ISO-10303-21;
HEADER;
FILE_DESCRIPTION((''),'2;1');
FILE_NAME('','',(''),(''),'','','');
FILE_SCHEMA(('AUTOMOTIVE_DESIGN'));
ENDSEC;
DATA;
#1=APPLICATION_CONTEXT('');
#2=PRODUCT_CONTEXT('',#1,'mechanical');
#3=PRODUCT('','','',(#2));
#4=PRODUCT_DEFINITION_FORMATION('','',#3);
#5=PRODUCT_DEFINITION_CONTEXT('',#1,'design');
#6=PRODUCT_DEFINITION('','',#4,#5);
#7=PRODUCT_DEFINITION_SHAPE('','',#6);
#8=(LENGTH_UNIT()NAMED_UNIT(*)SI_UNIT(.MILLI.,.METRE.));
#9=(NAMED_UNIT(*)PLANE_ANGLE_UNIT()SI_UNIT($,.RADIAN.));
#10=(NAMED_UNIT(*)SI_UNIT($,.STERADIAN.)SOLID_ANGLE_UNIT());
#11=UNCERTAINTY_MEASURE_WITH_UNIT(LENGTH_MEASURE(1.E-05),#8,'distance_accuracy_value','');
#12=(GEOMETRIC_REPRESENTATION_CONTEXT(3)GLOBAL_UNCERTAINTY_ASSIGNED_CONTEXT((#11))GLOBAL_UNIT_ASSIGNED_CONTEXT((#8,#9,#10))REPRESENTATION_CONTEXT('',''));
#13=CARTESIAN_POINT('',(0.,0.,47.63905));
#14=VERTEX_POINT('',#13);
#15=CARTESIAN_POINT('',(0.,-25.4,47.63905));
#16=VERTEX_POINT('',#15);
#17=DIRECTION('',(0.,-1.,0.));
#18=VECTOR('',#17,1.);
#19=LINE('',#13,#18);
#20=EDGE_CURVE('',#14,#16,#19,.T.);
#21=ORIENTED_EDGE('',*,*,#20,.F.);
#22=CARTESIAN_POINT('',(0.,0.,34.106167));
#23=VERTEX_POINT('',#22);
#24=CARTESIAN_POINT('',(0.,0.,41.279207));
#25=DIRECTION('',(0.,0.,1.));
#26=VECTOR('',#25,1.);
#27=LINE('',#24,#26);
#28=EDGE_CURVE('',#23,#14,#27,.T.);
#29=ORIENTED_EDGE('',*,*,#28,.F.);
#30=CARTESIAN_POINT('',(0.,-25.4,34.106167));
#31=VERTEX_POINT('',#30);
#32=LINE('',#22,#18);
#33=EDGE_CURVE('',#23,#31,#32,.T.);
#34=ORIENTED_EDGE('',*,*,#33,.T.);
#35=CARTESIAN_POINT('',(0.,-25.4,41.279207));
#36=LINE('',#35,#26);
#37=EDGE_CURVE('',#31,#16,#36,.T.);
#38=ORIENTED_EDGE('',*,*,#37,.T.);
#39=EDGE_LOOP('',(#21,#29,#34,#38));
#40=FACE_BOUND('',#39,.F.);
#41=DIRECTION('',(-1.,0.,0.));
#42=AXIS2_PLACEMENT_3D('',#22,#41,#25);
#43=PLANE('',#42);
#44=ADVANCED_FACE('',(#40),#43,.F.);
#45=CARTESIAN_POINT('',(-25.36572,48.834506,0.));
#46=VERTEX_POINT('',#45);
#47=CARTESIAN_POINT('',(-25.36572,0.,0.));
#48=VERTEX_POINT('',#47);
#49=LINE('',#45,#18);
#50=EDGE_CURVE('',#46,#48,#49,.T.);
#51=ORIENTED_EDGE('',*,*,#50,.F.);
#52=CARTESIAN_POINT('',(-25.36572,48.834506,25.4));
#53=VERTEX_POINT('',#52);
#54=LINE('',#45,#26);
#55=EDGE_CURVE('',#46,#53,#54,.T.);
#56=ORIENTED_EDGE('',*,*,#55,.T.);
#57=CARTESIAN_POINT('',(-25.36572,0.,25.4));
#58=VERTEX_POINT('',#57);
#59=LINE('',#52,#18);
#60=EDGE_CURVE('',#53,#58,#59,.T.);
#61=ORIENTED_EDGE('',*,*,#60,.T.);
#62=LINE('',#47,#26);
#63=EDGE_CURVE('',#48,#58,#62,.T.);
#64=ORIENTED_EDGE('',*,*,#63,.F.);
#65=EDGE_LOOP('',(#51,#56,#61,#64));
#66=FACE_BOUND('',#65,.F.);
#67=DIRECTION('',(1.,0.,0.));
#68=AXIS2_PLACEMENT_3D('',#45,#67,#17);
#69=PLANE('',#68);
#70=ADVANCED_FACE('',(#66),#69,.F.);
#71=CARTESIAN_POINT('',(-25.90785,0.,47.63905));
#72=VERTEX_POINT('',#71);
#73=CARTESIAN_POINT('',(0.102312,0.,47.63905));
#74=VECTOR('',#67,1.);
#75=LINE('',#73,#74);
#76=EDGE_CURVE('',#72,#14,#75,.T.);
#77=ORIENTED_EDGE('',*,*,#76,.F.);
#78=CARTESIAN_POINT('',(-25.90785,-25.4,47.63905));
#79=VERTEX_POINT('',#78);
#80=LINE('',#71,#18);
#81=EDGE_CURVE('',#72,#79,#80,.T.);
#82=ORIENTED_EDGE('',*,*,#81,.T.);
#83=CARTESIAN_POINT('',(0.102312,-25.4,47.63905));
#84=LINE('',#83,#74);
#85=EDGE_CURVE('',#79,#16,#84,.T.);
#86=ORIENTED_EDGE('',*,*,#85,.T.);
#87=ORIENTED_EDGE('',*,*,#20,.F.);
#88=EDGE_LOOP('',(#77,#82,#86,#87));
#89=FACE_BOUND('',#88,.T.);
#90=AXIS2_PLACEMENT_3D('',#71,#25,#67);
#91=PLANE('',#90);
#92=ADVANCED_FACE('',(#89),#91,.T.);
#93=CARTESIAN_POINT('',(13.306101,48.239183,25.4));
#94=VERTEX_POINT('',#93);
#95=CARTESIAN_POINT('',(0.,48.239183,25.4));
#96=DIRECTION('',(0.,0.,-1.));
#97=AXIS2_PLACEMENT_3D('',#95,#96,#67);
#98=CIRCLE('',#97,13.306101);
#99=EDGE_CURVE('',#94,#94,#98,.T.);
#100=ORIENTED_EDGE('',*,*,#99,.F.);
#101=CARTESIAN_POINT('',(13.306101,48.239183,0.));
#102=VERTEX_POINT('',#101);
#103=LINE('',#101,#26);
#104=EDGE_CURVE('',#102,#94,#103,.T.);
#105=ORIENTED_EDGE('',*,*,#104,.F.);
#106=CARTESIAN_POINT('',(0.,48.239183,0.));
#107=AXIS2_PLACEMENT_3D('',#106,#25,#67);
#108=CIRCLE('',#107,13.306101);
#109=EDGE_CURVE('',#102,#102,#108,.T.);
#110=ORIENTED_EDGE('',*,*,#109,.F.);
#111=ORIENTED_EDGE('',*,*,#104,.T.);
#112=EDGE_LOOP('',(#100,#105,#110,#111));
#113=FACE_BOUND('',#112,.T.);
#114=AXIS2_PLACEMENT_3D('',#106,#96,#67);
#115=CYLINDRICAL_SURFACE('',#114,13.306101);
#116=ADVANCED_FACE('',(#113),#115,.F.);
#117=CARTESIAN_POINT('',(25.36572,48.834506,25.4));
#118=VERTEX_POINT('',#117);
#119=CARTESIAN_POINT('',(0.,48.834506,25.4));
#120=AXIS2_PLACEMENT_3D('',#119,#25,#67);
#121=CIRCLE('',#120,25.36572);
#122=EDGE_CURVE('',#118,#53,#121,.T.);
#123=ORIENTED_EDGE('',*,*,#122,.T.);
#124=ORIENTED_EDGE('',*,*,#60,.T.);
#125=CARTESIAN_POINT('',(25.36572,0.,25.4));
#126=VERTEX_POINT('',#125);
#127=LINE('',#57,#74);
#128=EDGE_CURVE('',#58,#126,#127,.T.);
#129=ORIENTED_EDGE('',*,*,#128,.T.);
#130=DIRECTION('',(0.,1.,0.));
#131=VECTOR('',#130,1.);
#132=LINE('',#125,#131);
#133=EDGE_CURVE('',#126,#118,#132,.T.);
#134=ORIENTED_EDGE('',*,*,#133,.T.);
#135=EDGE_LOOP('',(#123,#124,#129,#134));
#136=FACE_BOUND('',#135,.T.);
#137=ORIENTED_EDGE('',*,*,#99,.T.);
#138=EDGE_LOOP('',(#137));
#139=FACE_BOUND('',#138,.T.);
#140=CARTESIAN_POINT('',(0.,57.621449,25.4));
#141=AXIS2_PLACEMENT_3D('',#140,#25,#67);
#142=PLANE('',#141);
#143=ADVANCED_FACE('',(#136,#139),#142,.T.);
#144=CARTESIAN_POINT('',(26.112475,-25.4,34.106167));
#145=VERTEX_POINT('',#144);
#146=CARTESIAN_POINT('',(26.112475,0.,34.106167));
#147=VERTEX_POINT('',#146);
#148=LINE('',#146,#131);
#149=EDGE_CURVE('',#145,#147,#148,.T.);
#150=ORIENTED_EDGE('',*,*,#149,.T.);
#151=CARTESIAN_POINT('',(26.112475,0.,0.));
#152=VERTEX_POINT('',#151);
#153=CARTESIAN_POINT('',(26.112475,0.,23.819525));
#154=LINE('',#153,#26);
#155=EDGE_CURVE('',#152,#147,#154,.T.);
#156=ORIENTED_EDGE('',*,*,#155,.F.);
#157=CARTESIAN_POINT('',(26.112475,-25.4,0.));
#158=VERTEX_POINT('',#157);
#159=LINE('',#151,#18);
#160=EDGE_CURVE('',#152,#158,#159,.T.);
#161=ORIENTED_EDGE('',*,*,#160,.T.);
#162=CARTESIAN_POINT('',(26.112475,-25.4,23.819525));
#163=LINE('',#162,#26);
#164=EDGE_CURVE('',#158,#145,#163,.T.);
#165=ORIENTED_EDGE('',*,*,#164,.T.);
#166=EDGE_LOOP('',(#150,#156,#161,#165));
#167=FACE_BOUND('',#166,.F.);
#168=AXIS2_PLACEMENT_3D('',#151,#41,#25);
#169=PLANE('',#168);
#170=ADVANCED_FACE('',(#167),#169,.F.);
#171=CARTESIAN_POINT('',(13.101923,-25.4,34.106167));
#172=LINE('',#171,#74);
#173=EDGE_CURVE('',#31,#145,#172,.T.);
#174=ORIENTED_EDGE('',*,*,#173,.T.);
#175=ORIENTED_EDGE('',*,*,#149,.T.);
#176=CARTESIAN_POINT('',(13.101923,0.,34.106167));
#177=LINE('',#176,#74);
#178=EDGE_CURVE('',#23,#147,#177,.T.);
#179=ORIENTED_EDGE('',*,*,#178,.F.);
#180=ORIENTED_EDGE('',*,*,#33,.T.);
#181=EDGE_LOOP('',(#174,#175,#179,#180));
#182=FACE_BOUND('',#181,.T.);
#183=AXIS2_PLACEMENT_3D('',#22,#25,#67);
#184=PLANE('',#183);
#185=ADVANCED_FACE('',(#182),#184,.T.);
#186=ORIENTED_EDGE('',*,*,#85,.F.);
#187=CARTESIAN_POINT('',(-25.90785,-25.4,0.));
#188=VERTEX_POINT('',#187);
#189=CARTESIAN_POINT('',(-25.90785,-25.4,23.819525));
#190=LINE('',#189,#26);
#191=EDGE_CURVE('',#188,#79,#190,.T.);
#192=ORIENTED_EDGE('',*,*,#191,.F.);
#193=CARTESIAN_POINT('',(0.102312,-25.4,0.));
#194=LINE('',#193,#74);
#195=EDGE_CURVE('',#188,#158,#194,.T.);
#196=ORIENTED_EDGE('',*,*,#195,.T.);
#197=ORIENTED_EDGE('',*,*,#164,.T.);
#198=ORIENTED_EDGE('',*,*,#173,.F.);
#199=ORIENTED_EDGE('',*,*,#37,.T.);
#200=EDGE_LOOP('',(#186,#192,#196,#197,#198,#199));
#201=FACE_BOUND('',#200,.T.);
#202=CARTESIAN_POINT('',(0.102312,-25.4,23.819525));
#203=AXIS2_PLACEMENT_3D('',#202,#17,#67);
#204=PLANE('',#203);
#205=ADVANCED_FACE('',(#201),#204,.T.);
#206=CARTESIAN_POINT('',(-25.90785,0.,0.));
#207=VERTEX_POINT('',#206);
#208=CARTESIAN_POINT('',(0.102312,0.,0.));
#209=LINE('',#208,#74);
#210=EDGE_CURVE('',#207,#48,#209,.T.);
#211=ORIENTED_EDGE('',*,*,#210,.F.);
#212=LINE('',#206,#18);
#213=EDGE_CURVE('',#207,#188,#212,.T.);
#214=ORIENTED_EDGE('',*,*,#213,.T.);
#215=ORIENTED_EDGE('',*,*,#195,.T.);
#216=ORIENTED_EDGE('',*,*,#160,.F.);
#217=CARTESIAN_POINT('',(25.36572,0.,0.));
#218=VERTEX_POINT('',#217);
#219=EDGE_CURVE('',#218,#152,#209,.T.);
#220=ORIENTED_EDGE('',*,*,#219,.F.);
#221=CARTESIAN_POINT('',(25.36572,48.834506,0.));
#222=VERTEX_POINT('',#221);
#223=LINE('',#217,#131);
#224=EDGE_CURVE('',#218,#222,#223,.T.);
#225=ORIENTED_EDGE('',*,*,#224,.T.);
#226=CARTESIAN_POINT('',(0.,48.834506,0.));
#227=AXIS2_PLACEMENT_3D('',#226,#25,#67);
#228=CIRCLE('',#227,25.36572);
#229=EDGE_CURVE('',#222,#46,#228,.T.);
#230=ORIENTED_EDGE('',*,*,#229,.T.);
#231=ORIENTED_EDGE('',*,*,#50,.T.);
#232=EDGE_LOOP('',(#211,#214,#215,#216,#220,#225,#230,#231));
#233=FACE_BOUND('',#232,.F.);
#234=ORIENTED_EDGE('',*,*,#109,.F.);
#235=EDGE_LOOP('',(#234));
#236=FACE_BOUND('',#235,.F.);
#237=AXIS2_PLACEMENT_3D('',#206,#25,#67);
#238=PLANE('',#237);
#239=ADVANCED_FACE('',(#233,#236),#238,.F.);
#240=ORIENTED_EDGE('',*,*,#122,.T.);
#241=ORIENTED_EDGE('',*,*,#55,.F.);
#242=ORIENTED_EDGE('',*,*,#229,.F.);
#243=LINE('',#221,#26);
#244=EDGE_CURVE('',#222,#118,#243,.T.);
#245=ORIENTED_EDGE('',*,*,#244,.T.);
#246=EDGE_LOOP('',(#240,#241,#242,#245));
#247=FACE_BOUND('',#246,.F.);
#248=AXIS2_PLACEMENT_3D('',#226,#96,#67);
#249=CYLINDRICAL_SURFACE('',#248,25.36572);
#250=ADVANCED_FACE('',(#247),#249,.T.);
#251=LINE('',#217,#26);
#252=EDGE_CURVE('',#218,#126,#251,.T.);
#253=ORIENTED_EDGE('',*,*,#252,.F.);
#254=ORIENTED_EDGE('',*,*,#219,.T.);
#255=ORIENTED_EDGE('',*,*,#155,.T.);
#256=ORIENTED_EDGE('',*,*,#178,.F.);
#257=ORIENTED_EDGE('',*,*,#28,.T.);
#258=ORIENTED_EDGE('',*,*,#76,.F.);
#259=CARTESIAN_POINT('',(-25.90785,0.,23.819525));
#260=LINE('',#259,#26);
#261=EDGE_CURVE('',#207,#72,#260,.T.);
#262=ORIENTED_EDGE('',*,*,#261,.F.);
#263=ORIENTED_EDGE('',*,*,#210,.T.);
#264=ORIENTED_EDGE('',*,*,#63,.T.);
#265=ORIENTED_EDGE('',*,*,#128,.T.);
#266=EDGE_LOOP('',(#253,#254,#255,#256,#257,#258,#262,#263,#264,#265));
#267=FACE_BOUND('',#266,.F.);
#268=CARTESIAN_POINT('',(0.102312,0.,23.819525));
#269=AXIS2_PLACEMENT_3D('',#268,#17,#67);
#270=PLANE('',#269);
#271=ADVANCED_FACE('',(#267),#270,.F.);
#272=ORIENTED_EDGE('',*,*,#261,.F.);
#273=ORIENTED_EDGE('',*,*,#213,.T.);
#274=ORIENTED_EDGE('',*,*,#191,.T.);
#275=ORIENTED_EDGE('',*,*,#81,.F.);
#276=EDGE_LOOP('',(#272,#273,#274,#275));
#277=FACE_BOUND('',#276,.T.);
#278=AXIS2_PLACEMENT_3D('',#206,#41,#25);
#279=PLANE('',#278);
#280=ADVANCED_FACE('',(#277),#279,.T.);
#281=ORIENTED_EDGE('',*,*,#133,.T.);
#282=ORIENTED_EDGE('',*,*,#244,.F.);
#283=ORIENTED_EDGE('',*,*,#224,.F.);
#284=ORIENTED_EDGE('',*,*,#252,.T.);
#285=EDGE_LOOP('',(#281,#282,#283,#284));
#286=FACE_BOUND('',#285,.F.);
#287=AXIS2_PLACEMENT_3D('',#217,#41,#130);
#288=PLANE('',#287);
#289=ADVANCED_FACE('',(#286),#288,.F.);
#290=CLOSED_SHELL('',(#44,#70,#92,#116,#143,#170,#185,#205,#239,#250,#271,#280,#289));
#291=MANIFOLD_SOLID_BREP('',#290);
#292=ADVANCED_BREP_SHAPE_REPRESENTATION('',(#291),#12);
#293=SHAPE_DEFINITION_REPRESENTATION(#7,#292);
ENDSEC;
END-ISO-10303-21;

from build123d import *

# Parameters (mm, degrees)
F1_DEPTH = 25.4
F2_R     = 13.3061005932
F3_DEPTH = 25.401
F5_DEPTH = 25.401
F6_W     = 52.0203243941
F6_H     = 47.6390495896
F7_DEPTH = 25.4
F8_W     = 26.2038465589
F8_H     = 14.3460799009
F9_DEPTH = 25.4


with BuildPart() as f1:
    # F0 (on Top) → F1 (new body)
    with BuildSketch(Plane.XY):
        with BuildLine():
            Line((-25.3657195717, 48.8345064223), (25.3657195717, 48.8345064223))
            ThreePointArc((25.3657195717, 48.8345064223), (0, 74.200225994), (-25.3657195717, 48.8345064223))
        make_face()
        with BuildLine():
            Line((25.3657195717, 0), (25.3657195717, 48.8345064223))
            ThreePointArc((25.3657195717, 48.8345064223), (0, 23.4687868506), (-25.3657195717, 48.8345064223))
            Line((-25.3657195717, 48.8345064223), (-25.3657195717, 0))
            Line((-25.3657195717, 0), (25.3657195717, 0))
        make_face()
        with BuildLine():
            ThreePointArc((-25.3657195717, 48.8345064223), (0, 23.4687868506), (25.3657195717, 48.8345064223))
            Line((25.3657195717, 48.8345064223), (-25.3657195717, 48.8345064223))
        make_face()
    extrude(amount=F1_DEPTH)

    # F2 (on Top) → F3 (cut, through all)
    with BuildSketch(Plane.XY):
        with Locations((0, 48.2391826808)):
            Circle(F2_R)
    extrude(amount=F3_DEPTH, mode=Mode.SUBTRACT)

    # F2 (on Top) → F5 (cut, through all)
    with BuildSketch(Plane.XY):
        with Locations((0, 48.2391826808)):
            Circle(F2_R)
    extrude(amount=F5_DEPTH, mode=Mode.SUBTRACT)

    # F6 (on Front) → F7 (join)
    with BuildSketch(Plane.XZ):
        with Locations((0.1023123041, 23.8195247948)):
            Rectangle(F6_W, F6_H)
    extrude(amount=F7_DEPTH)

    # F8 (on Front) → F9 (cut)
    with BuildSketch(Plane.XZ):
        with Locations((13.1019232795, 41.2792069837)):
            Rectangle(F8_W, F8_H)
    extrude(amount=F9_DEPTH, mode=Mode.SUBTRACT)


solid = f1.part
